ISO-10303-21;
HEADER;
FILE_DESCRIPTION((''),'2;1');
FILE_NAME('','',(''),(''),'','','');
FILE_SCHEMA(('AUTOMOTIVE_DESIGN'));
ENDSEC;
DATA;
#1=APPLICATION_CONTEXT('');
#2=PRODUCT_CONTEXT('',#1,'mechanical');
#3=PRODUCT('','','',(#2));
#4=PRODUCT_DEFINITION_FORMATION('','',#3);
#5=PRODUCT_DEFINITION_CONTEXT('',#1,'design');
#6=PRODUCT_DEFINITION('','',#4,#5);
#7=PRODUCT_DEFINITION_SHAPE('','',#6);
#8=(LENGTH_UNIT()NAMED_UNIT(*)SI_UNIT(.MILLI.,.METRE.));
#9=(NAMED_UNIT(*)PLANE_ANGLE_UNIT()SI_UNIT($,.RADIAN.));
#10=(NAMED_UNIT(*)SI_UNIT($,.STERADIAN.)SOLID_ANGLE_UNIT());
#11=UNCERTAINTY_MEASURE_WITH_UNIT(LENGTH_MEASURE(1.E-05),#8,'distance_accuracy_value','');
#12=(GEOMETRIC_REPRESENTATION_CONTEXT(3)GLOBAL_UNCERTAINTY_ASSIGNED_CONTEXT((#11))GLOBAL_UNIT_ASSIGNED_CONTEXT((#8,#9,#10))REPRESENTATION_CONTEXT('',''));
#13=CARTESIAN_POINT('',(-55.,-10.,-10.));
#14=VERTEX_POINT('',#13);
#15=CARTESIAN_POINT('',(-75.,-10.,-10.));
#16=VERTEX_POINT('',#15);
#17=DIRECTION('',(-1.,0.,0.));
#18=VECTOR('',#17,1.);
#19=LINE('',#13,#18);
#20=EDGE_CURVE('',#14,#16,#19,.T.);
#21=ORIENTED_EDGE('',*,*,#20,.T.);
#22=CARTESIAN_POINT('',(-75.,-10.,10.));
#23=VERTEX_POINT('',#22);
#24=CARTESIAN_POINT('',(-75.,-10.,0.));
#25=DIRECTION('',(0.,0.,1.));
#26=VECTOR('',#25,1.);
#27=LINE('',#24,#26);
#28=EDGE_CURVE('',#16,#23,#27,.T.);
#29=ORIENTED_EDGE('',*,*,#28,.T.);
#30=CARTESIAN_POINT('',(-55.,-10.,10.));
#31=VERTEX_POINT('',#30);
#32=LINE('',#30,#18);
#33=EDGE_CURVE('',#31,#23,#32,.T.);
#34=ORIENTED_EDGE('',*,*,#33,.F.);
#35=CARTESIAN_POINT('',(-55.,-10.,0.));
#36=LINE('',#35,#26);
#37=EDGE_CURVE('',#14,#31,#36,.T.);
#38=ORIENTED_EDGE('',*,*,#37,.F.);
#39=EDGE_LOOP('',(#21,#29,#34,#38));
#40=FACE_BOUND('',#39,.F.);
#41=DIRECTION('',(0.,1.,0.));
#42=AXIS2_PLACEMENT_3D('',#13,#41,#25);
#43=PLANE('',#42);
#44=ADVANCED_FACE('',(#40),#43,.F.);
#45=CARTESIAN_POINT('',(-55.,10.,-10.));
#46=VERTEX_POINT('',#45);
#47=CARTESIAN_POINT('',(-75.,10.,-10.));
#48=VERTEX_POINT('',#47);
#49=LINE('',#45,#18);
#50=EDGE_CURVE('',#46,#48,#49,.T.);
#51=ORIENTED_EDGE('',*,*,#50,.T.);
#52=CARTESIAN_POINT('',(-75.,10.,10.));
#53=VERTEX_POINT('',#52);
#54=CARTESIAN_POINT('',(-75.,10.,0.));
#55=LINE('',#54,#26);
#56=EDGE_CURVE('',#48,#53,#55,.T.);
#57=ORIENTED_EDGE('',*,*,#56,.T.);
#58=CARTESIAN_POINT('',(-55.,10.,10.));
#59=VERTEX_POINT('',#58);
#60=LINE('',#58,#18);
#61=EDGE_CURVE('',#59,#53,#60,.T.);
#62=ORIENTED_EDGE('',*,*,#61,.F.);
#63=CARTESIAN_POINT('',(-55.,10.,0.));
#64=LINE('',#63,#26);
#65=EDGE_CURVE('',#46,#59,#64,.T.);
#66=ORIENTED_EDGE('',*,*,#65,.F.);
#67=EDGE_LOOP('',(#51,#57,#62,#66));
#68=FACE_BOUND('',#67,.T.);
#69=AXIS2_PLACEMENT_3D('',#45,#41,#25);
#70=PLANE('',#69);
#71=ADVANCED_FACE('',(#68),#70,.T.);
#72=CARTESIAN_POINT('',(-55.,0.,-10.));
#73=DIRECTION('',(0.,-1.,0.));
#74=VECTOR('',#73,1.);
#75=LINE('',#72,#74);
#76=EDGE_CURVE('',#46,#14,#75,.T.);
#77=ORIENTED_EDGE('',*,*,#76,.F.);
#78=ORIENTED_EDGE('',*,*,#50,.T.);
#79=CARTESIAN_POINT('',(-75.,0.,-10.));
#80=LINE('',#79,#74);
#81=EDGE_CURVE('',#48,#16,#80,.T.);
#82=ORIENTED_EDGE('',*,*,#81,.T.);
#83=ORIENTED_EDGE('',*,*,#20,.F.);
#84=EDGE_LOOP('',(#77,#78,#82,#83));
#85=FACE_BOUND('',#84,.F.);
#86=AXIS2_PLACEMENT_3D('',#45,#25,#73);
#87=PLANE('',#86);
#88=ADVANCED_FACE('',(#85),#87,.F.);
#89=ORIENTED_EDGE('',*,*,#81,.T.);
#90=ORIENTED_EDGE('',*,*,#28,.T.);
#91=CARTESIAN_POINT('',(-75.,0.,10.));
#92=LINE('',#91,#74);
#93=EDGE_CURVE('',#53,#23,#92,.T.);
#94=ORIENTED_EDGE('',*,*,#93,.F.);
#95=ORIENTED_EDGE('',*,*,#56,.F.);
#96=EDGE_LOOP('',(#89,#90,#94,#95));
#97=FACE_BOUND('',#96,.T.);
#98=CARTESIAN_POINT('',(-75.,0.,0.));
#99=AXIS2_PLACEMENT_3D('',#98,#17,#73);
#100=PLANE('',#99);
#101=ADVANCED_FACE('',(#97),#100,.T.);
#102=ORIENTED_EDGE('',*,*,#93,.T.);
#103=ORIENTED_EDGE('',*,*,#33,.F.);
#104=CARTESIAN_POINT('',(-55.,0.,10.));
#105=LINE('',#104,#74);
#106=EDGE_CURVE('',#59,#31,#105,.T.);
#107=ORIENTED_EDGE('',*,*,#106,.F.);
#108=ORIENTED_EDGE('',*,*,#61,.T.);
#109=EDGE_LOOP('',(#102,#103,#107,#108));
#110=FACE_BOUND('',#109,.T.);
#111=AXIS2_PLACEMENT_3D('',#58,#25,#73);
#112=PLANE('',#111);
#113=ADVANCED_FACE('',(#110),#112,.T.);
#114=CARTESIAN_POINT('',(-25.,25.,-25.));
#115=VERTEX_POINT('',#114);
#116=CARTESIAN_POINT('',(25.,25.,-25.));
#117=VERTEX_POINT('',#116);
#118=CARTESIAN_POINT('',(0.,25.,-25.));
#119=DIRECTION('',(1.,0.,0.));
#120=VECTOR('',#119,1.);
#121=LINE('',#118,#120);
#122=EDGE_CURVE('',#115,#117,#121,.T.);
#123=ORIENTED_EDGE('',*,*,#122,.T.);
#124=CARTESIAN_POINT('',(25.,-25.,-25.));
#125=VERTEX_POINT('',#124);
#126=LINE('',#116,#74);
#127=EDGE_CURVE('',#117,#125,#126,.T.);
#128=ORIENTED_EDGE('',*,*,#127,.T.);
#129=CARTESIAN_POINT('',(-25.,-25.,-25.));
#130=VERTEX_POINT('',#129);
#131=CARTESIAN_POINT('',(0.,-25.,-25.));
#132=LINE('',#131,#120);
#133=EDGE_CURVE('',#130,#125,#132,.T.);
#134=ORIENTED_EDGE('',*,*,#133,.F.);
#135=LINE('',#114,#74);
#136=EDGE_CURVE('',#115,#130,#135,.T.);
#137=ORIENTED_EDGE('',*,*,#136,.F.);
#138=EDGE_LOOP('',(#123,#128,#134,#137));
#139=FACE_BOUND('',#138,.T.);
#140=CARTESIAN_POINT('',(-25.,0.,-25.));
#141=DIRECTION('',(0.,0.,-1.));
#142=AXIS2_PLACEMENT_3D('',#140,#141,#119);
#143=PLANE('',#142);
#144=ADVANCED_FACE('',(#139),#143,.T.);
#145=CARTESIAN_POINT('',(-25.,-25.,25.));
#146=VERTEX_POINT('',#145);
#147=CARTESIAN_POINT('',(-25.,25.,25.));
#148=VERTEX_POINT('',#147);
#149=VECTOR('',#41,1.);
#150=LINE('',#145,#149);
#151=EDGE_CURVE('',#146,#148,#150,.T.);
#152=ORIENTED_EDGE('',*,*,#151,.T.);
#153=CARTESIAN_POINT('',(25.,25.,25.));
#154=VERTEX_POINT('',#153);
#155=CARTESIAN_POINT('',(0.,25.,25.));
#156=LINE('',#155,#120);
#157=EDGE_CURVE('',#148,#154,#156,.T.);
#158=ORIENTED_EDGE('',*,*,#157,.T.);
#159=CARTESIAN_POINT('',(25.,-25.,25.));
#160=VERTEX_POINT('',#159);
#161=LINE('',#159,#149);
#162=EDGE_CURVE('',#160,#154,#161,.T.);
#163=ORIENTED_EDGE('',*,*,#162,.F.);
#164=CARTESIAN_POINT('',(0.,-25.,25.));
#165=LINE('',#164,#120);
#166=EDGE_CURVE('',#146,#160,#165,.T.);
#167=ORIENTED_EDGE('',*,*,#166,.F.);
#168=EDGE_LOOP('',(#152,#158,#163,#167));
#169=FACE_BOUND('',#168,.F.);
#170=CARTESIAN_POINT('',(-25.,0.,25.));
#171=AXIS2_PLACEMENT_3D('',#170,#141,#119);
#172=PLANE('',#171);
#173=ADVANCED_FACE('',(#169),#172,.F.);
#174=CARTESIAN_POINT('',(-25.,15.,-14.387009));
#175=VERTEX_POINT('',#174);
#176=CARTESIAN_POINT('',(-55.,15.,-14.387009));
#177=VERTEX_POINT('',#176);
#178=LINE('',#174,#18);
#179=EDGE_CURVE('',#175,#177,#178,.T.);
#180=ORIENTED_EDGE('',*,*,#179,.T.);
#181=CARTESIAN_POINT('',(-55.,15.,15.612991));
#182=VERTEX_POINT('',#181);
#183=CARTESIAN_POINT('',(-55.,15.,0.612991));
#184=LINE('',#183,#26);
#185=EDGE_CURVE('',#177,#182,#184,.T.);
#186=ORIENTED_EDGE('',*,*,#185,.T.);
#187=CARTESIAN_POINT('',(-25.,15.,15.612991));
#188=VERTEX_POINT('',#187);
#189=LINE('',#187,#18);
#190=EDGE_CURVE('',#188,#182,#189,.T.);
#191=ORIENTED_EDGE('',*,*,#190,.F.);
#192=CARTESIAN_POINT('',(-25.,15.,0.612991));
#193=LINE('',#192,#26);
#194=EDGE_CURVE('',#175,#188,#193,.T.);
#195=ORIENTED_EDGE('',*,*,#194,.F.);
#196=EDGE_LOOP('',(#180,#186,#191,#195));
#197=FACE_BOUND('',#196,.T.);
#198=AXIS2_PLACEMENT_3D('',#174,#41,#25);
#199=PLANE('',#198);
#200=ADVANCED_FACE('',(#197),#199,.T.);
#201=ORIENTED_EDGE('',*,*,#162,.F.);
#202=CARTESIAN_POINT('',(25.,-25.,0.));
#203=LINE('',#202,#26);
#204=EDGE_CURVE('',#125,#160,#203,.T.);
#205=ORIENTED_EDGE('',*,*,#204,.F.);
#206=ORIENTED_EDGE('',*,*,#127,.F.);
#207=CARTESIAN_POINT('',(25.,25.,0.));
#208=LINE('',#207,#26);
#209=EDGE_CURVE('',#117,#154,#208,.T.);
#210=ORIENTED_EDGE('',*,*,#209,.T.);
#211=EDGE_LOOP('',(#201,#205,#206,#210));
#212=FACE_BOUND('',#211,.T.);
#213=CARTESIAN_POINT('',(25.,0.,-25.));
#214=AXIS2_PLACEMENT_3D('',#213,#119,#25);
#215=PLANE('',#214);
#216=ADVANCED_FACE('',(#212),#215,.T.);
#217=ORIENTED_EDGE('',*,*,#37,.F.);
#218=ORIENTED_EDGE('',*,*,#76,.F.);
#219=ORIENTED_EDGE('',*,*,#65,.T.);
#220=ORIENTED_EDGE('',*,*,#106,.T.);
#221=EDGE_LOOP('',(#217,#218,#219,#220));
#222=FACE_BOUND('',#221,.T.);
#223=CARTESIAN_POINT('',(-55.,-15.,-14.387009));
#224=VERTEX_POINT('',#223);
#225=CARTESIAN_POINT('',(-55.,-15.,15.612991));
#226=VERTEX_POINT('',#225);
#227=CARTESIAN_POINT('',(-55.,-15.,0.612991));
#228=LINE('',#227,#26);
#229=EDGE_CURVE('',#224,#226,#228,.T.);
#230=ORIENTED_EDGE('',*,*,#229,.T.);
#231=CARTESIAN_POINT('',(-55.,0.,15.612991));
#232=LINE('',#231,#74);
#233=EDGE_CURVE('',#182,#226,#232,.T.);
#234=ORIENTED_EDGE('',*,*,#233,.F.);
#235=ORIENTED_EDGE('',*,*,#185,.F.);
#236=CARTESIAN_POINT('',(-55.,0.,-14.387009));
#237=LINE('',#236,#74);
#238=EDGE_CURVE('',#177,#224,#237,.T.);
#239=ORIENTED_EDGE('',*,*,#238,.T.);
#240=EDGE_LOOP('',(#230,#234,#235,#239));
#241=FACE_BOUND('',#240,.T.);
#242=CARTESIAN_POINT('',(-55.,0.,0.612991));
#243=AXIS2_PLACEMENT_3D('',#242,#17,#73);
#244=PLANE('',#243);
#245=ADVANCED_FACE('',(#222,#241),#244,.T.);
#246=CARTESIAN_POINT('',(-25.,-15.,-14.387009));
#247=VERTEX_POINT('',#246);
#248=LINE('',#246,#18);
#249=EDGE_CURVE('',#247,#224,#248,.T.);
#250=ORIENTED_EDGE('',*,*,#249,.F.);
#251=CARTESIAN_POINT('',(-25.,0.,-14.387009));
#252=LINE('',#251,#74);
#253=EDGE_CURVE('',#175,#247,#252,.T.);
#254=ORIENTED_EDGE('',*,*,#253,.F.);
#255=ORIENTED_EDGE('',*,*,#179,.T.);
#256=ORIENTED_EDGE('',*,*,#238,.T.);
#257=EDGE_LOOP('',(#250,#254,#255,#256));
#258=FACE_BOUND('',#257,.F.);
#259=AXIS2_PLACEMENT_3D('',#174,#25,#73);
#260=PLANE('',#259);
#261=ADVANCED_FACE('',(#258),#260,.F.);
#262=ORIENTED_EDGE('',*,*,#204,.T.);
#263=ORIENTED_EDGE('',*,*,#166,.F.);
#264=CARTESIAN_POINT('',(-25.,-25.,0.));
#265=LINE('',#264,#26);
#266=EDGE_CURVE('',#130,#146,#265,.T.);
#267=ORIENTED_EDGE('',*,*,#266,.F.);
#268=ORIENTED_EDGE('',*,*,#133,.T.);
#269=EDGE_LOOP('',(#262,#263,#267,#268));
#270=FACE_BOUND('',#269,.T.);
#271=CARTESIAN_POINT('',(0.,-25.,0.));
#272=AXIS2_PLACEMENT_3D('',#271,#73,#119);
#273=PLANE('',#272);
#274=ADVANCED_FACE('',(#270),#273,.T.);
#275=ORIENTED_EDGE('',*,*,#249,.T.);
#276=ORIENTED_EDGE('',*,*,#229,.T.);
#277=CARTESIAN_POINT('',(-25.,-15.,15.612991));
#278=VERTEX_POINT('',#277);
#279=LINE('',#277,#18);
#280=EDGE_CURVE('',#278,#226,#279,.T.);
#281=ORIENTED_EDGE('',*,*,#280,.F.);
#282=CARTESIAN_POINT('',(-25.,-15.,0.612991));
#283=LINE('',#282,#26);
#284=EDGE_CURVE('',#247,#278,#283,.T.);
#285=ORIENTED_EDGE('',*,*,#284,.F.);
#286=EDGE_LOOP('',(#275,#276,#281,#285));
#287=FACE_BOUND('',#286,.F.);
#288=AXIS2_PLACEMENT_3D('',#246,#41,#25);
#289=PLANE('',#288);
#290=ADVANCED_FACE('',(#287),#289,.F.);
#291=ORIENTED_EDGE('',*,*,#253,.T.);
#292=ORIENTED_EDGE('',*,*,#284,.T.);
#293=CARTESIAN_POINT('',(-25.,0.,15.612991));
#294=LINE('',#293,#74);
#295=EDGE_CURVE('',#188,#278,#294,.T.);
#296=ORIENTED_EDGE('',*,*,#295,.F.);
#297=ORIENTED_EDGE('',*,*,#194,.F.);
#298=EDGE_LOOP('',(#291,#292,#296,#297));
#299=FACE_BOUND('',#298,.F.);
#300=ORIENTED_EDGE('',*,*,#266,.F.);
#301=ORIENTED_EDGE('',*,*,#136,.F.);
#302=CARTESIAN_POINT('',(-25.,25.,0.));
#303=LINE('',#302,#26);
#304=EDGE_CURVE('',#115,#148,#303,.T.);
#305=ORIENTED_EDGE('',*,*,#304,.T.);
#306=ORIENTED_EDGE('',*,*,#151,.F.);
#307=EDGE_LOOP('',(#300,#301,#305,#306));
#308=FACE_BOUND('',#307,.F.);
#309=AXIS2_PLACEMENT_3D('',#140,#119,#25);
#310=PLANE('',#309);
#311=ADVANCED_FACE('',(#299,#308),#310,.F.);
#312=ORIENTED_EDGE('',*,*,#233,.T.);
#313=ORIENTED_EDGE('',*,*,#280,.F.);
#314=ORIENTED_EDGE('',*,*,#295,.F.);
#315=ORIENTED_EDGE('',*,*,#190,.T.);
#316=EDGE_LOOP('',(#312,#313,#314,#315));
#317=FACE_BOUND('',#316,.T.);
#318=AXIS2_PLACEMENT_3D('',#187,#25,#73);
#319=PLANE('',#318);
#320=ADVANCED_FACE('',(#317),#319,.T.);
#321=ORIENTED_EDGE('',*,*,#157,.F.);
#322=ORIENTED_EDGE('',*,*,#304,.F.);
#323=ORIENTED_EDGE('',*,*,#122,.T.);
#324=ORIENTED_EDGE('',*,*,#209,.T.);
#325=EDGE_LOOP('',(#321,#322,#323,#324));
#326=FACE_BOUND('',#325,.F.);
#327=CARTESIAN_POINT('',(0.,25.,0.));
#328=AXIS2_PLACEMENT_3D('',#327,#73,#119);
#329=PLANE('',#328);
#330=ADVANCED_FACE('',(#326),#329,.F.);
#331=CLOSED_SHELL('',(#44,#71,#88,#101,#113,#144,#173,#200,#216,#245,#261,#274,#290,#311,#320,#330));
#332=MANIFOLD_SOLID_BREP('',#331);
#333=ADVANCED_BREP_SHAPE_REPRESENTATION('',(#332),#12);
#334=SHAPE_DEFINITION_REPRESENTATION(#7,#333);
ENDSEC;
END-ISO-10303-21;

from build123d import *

# Parameters (mm, degrees)
F0_W     = 50
F0_H     = 50
F1_DEPTH = 25
F2_W     = 30
F2_H     = 30
F3_DEPTH = 30
F4_W     = 20
F4_H     = 20
F5_DEPTH = 20


with BuildPart() as f1:
    # F0 (on Front) → F1 (new body, symmetric)
    with BuildSketch(Plane.XZ):
        Rectangle(F0_W, F0_H)
    extrude(amount=F1_DEPTH, both=True)

    # F2 (on face) → F3 (join)
    with BuildSketch(Plane(origin=(-25, 0, 0), x_dir=(0, -1, 0), z_dir=(-1, 0, 0))):
        with Locations((0, 0.612991)):
            Rectangle(F2_W, F2_H)
    extrude(amount=F3_DEPTH)

    # F4 (on face) → F5 (join)
    with BuildSketch(Plane(origin=(-55, 0, 0), x_dir=(0, -1, 0), z_dir=(-1, 0, 0))):
        Rectangle(F4_W, F4_H)
    extrude(amount=F5_DEPTH)


solid = f1.part
